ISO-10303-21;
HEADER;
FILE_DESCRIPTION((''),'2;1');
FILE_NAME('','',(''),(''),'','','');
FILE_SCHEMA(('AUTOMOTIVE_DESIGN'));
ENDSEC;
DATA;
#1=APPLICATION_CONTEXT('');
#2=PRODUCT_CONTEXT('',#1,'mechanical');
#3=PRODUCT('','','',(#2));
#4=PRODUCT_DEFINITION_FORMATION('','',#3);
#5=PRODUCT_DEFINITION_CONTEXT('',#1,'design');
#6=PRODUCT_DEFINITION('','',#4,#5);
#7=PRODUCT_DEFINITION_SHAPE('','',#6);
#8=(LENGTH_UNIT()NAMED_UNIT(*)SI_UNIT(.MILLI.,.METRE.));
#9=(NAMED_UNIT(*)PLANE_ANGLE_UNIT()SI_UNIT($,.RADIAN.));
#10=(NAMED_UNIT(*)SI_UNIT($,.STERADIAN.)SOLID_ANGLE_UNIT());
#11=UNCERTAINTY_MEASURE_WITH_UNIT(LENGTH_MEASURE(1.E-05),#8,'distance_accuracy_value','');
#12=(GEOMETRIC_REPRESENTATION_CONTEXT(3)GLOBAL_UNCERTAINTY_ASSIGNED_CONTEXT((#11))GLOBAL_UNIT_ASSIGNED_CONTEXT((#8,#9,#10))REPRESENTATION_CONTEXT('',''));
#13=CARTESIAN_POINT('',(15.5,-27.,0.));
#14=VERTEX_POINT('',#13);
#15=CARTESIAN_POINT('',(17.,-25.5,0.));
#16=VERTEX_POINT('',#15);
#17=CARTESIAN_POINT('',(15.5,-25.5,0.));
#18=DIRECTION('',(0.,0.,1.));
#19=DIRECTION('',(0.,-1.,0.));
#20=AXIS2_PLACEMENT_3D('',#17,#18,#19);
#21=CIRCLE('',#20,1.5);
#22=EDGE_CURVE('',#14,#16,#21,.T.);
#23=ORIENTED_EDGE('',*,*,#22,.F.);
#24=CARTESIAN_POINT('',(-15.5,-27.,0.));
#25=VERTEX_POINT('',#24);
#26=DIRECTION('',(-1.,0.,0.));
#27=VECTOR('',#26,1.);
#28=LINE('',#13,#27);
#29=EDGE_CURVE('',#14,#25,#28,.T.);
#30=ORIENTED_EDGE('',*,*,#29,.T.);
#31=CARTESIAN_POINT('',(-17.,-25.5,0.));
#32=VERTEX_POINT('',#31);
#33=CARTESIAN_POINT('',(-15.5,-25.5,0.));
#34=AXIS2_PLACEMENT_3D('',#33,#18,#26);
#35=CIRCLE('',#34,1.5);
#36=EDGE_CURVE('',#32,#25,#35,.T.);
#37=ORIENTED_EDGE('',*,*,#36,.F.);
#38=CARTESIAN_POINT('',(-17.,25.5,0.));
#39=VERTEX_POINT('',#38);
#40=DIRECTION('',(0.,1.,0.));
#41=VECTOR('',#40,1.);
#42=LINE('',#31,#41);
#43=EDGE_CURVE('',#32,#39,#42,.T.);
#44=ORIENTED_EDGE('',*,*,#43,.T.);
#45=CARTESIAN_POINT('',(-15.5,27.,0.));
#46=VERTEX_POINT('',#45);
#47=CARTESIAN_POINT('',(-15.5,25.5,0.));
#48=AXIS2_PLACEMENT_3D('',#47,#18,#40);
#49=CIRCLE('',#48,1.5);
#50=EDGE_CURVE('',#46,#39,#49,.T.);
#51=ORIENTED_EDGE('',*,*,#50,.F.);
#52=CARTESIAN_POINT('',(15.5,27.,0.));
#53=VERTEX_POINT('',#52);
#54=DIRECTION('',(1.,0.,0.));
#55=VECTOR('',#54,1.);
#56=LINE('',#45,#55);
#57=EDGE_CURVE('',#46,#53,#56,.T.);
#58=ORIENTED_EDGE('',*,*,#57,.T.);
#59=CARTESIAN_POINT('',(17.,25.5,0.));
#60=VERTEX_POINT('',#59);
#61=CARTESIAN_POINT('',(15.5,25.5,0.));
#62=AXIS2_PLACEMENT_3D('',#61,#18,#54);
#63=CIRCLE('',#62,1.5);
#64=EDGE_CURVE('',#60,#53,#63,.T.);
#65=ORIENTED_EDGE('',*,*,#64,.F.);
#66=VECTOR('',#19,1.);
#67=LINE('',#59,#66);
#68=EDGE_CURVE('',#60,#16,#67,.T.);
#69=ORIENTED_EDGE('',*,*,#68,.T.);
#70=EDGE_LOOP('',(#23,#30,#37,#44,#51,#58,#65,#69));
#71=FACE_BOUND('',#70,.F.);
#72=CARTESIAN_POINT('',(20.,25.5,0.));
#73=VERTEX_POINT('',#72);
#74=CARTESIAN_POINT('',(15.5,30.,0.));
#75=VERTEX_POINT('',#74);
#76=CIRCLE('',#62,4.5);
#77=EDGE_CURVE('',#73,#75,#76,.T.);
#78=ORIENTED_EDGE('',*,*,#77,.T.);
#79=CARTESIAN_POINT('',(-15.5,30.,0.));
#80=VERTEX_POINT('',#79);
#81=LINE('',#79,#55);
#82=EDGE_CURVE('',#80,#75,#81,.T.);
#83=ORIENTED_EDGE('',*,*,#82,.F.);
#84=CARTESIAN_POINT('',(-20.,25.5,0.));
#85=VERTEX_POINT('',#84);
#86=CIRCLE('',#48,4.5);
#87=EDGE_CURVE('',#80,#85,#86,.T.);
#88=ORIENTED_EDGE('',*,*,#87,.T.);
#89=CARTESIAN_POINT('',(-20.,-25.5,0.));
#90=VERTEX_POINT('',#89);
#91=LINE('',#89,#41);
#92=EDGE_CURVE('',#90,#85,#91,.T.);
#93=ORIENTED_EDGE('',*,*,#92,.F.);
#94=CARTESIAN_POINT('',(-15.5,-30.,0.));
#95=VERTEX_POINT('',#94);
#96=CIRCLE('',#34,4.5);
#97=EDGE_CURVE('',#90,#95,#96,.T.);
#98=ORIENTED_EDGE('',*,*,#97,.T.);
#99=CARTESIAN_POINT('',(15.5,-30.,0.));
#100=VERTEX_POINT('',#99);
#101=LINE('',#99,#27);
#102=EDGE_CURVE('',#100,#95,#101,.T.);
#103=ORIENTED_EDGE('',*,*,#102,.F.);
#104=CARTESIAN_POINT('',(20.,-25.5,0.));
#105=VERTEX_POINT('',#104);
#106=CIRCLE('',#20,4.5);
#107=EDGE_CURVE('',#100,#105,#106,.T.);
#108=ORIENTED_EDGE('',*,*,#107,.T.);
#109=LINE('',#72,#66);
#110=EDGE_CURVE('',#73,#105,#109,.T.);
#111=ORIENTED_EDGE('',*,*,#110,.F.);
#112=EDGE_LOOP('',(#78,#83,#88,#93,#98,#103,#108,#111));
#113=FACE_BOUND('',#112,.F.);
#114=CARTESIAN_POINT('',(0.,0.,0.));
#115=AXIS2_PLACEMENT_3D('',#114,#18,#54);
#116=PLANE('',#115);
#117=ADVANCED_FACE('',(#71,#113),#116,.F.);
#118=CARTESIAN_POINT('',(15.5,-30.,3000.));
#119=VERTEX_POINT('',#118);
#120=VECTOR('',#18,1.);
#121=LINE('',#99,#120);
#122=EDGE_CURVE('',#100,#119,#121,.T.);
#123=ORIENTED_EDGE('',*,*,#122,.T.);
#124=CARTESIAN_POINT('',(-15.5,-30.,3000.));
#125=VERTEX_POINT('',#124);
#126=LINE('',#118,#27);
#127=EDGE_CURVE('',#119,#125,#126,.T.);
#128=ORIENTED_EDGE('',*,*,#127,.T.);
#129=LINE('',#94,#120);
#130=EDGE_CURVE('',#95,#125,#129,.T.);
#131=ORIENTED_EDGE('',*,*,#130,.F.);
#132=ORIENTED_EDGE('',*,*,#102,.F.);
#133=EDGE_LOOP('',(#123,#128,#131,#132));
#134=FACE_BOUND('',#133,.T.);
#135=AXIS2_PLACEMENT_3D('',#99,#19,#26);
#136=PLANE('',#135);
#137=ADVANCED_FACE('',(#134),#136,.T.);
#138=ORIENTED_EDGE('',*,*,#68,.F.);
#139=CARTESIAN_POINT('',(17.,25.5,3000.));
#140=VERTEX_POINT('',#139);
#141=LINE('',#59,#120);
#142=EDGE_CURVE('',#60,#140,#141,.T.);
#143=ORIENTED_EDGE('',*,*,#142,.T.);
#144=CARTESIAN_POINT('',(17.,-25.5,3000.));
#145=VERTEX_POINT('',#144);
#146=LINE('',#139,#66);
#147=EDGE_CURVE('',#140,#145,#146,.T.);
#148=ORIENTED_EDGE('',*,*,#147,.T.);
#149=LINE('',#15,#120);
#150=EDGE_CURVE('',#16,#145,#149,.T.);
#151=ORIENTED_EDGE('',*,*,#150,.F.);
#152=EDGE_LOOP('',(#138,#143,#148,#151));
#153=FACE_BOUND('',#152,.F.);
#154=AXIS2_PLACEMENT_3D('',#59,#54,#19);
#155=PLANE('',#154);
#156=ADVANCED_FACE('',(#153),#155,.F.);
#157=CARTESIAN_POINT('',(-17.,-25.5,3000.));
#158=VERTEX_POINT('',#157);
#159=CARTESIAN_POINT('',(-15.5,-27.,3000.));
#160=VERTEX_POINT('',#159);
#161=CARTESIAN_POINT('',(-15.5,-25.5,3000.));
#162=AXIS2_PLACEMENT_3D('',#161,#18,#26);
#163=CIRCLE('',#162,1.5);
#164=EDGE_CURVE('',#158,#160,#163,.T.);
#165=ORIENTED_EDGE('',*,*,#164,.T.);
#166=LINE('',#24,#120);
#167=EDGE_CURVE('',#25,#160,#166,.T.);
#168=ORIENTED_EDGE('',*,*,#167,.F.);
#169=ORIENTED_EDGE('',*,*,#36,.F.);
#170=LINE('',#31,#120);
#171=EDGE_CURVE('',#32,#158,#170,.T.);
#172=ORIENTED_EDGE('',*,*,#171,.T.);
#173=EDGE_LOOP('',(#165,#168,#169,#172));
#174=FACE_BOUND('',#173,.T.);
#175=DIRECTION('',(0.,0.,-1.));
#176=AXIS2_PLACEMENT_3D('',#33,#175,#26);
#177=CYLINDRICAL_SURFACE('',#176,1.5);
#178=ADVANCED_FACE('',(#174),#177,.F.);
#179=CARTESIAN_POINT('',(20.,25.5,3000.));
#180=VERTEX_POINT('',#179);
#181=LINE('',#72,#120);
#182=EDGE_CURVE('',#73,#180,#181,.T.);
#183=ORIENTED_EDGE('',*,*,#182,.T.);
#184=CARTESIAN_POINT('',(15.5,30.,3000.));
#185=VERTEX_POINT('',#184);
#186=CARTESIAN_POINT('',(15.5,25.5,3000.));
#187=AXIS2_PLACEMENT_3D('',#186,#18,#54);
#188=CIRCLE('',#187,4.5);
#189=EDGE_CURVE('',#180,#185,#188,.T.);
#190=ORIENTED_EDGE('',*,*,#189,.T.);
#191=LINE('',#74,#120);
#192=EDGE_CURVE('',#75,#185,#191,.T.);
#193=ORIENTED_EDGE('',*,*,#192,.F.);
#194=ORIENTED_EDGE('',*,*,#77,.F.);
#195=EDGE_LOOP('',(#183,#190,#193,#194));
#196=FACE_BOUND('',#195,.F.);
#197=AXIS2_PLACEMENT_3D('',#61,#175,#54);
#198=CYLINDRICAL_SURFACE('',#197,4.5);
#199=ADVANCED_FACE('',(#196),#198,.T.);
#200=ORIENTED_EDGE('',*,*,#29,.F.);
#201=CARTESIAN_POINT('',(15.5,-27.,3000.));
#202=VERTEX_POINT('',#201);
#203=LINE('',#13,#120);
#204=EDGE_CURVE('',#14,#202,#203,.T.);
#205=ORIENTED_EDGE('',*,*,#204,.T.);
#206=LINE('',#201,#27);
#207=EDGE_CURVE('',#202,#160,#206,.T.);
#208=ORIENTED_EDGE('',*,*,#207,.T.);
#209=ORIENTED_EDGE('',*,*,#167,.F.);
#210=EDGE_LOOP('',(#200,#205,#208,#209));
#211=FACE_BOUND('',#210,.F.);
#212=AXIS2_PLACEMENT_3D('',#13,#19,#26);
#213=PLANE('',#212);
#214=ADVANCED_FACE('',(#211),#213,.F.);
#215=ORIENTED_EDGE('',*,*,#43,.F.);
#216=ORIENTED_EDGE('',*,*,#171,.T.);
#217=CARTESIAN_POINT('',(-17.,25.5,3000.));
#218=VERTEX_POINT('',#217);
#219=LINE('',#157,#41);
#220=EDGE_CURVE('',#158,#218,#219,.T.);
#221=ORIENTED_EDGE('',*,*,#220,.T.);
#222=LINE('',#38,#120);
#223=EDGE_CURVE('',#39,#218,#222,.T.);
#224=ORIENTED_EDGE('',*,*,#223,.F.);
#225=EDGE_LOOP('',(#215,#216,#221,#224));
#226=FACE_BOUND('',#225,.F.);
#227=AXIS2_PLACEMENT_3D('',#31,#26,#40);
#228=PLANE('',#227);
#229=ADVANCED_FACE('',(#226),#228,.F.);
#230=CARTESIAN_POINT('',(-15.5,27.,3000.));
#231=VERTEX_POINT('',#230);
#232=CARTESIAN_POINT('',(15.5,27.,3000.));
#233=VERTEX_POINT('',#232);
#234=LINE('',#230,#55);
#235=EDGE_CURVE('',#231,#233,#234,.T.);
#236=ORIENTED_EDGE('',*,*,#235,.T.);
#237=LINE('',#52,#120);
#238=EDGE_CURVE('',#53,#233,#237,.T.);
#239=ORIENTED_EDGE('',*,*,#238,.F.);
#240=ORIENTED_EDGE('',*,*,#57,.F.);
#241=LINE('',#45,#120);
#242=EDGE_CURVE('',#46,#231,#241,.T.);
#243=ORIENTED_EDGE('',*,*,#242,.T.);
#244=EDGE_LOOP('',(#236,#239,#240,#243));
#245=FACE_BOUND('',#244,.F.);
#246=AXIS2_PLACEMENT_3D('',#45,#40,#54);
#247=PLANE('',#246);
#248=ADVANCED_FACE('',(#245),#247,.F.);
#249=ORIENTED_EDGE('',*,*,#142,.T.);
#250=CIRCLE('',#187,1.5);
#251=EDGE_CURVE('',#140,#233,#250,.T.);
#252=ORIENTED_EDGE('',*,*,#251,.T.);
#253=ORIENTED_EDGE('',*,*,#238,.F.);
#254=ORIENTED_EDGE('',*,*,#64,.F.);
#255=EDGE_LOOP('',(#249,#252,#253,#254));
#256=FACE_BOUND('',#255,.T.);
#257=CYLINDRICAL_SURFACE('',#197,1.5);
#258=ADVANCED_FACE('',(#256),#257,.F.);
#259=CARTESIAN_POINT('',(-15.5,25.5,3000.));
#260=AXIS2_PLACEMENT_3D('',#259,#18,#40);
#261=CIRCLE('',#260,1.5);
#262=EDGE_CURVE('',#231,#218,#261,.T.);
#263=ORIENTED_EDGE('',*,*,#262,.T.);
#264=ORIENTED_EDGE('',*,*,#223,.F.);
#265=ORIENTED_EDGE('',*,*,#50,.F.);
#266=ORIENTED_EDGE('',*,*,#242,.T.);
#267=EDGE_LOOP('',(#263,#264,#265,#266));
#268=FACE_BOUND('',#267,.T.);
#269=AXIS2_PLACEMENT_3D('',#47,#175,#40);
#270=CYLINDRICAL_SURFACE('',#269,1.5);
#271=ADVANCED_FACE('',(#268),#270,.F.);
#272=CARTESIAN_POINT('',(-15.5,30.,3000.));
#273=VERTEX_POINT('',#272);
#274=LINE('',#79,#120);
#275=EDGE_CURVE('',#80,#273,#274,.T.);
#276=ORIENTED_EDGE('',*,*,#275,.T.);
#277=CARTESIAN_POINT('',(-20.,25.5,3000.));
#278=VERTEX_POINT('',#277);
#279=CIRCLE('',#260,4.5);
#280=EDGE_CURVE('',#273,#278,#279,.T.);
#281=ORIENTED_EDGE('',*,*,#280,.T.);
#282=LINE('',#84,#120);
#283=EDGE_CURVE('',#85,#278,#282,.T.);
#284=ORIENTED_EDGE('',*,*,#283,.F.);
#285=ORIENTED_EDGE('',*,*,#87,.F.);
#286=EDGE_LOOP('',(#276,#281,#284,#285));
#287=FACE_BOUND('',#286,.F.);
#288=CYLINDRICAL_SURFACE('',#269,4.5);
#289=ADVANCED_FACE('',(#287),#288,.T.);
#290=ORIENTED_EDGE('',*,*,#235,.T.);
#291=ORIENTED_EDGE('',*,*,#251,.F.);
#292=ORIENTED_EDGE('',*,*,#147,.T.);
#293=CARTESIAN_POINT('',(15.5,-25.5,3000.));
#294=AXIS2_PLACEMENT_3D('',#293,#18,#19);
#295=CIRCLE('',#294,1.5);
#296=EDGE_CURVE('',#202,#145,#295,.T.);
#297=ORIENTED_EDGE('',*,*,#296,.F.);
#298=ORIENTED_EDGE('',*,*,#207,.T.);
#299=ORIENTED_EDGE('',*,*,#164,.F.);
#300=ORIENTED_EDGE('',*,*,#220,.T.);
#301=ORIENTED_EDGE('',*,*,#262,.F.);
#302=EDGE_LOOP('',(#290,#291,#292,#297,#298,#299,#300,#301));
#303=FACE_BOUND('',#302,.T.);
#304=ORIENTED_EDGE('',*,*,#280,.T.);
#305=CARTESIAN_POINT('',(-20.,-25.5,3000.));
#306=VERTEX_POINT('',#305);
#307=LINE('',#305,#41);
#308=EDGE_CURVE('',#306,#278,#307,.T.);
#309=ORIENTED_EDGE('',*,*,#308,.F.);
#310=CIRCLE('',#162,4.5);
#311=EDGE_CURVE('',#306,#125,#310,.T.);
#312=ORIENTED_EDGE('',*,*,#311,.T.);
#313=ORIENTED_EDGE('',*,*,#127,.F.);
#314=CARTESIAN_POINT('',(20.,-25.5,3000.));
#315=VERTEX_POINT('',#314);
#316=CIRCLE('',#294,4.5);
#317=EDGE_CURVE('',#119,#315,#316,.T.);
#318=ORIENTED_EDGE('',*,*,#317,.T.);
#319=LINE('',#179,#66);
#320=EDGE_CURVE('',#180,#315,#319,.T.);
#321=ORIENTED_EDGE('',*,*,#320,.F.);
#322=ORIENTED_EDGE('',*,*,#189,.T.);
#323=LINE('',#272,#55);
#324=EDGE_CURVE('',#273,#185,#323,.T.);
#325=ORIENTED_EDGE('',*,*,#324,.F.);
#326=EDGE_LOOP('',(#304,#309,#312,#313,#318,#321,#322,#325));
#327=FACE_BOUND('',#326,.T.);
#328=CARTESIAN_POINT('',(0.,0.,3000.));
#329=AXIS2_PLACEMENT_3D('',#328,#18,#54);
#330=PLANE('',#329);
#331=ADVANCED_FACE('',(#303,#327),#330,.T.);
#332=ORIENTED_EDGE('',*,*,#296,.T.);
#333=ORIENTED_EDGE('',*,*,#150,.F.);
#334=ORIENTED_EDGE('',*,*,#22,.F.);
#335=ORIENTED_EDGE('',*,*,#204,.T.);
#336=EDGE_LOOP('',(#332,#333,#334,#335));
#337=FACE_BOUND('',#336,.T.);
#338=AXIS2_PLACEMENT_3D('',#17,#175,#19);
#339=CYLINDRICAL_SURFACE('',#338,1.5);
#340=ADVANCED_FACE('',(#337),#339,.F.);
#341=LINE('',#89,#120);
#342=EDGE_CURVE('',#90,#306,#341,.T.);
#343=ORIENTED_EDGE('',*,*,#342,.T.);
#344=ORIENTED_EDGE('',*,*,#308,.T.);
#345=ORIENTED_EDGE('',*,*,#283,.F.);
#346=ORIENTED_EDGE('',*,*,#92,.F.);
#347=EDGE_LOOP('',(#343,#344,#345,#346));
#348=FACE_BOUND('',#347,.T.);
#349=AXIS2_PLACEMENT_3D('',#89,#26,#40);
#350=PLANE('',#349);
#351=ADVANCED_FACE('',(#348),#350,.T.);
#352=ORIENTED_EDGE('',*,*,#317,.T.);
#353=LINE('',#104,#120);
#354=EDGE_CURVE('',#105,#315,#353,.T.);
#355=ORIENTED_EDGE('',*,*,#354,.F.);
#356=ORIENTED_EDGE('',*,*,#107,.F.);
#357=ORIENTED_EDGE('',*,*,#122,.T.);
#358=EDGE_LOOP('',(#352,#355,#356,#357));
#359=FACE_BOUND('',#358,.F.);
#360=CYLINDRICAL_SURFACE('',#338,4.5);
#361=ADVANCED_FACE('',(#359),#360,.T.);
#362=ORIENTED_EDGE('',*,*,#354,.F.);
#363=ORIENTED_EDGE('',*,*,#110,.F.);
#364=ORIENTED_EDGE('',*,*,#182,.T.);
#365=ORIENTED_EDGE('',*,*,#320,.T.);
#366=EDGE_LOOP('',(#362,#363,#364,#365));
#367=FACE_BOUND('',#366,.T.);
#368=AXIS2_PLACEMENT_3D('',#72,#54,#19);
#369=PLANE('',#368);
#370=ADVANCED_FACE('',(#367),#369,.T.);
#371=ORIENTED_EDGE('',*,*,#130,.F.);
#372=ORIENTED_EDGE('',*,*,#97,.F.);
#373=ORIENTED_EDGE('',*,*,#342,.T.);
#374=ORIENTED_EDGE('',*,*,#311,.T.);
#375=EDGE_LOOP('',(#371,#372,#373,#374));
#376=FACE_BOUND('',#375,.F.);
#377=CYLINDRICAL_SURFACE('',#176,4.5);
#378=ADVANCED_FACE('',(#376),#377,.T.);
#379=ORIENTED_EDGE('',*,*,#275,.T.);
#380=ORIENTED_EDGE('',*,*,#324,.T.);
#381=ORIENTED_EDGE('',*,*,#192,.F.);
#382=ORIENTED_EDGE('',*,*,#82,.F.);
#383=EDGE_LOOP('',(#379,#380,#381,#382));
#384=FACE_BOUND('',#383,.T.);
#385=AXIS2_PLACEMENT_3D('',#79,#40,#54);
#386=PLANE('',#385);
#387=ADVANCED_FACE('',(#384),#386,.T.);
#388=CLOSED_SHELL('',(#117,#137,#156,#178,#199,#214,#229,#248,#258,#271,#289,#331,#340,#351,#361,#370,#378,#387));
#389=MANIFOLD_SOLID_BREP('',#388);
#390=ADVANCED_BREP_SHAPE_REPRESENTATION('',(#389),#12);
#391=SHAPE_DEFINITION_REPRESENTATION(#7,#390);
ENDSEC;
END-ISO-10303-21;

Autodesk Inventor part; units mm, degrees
ref_plane "YZ Plane" through (0, 0, 0) normal (1, 0, 0) x (0, 1, 0)
ref_plane "Start Plane" through (0, 0, 0) normal (0, 0, 1) x (1, 0, 0)
ref_plane "End Plane" through (0, 0, 3000) normal (0, 0, 1) x (1, 0, 0)
sketch "Sketch" plane through (0, 0, 0) normal (0, 0, 1) x (1, 0, 0)
  line L0 (-20, -25.5) -> (-20, 25.5)
  line L1 (-15.5, 30) -> (15.5, 30)
  line L2 (20, 25.5) -> (20, -25.5)
  line L3 (15.5, -30) -> (-15.5, -30)
  arc A0 (-20, -25.5) -> (-15.5, -30) centre (-15.5, -25.5) ccw
  arc A1 (-15.5, 30) -> (-20, 25.5) centre (-15.5, 25.5) ccw
  arc A2 (20, 25.5) -> (15.5, 30) centre (15.5, 25.5) ccw
  arc A3 (15.5, -30) -> (20, -25.5) centre (15.5, -25.5) ccw
  arc A4 (-15.5, 27) -> (-17, 25.5) centre (-15.5, 25.5) ccw
  line L4 (-15.5, 27) -> (15.5, 27)
  arc A5 (17, 25.5) -> (15.5, 27) centre (15.5, 25.5) ccw
  line L5 (17, 25.5) -> (17, -25.5)
  arc A6 (15.5, -27) -> (17, -25.5) centre (15.5, -25.5) ccw
  line L6 (15.5, -27) -> (-15.5, -27)
  arc A7 (-17, -25.5) -> (-15.5, -27) centre (-15.5, -25.5) ccw
  line L7 (-17, -25.5) -> (-17, 25.5)
  line L8 (0, 43.3048) -> (0, -43.3048) construction
  line L9 (-29.3048, 0) -> (29.3048, 0) construction
  dimension "d7" = 4.5
  dimension "d10" = 60
  dimension "d11" = 40
  dimension "d12" = 3
  dimension "d15" = 30
  dimension "d16" = 20
extrude "Body" add sketch "Sketch" along normal up to surface (3000 mm away) from surface at 0
sketch "Sketch3" plane through (0, 0, 0) normal (0, 0, 1) x (1, 0, 0)
  line L0 (0, 0) -> (10, 0)
ref_plane "Work Plane3" through (0, 0, 0) normal (0, -1, 0) x (1, 0, 0)
sketch "Sketch4" plane through (0, 0, 0) normal (0, -1, 0) x (1, 0, 0)
  line L0 (-2, 0) -> (12, 0) projected
  line L1 (-2, 3000) -> (12, 3000) projected
  dimension "d18" = 3000
equation "\"d7\" = G_IR"
equation "\"d10\" = G_H"
equation "\"d11\" = G_W"
equation "\"d12\" = G_T"
equation "\"d15\" = 0.5 * d10"
equation "\"d16\" = 0.5 * d11"
equation "\"d3\" = G_L"
equation "\"G_W\" = 40"
equation "\"G_H\" = 60"
equation "\"G_T\" = 3"
equation "\"G_IR\" = 4.5"
equation "\"G_L\" = d18"
equation "\"G_OFFSET_START\" = 0"
equation "\"G_OFFSET_END\" = 0"
properties part number "ISO 12633-2 - 60x40x3 - 3000" material "Steel, Mild"
